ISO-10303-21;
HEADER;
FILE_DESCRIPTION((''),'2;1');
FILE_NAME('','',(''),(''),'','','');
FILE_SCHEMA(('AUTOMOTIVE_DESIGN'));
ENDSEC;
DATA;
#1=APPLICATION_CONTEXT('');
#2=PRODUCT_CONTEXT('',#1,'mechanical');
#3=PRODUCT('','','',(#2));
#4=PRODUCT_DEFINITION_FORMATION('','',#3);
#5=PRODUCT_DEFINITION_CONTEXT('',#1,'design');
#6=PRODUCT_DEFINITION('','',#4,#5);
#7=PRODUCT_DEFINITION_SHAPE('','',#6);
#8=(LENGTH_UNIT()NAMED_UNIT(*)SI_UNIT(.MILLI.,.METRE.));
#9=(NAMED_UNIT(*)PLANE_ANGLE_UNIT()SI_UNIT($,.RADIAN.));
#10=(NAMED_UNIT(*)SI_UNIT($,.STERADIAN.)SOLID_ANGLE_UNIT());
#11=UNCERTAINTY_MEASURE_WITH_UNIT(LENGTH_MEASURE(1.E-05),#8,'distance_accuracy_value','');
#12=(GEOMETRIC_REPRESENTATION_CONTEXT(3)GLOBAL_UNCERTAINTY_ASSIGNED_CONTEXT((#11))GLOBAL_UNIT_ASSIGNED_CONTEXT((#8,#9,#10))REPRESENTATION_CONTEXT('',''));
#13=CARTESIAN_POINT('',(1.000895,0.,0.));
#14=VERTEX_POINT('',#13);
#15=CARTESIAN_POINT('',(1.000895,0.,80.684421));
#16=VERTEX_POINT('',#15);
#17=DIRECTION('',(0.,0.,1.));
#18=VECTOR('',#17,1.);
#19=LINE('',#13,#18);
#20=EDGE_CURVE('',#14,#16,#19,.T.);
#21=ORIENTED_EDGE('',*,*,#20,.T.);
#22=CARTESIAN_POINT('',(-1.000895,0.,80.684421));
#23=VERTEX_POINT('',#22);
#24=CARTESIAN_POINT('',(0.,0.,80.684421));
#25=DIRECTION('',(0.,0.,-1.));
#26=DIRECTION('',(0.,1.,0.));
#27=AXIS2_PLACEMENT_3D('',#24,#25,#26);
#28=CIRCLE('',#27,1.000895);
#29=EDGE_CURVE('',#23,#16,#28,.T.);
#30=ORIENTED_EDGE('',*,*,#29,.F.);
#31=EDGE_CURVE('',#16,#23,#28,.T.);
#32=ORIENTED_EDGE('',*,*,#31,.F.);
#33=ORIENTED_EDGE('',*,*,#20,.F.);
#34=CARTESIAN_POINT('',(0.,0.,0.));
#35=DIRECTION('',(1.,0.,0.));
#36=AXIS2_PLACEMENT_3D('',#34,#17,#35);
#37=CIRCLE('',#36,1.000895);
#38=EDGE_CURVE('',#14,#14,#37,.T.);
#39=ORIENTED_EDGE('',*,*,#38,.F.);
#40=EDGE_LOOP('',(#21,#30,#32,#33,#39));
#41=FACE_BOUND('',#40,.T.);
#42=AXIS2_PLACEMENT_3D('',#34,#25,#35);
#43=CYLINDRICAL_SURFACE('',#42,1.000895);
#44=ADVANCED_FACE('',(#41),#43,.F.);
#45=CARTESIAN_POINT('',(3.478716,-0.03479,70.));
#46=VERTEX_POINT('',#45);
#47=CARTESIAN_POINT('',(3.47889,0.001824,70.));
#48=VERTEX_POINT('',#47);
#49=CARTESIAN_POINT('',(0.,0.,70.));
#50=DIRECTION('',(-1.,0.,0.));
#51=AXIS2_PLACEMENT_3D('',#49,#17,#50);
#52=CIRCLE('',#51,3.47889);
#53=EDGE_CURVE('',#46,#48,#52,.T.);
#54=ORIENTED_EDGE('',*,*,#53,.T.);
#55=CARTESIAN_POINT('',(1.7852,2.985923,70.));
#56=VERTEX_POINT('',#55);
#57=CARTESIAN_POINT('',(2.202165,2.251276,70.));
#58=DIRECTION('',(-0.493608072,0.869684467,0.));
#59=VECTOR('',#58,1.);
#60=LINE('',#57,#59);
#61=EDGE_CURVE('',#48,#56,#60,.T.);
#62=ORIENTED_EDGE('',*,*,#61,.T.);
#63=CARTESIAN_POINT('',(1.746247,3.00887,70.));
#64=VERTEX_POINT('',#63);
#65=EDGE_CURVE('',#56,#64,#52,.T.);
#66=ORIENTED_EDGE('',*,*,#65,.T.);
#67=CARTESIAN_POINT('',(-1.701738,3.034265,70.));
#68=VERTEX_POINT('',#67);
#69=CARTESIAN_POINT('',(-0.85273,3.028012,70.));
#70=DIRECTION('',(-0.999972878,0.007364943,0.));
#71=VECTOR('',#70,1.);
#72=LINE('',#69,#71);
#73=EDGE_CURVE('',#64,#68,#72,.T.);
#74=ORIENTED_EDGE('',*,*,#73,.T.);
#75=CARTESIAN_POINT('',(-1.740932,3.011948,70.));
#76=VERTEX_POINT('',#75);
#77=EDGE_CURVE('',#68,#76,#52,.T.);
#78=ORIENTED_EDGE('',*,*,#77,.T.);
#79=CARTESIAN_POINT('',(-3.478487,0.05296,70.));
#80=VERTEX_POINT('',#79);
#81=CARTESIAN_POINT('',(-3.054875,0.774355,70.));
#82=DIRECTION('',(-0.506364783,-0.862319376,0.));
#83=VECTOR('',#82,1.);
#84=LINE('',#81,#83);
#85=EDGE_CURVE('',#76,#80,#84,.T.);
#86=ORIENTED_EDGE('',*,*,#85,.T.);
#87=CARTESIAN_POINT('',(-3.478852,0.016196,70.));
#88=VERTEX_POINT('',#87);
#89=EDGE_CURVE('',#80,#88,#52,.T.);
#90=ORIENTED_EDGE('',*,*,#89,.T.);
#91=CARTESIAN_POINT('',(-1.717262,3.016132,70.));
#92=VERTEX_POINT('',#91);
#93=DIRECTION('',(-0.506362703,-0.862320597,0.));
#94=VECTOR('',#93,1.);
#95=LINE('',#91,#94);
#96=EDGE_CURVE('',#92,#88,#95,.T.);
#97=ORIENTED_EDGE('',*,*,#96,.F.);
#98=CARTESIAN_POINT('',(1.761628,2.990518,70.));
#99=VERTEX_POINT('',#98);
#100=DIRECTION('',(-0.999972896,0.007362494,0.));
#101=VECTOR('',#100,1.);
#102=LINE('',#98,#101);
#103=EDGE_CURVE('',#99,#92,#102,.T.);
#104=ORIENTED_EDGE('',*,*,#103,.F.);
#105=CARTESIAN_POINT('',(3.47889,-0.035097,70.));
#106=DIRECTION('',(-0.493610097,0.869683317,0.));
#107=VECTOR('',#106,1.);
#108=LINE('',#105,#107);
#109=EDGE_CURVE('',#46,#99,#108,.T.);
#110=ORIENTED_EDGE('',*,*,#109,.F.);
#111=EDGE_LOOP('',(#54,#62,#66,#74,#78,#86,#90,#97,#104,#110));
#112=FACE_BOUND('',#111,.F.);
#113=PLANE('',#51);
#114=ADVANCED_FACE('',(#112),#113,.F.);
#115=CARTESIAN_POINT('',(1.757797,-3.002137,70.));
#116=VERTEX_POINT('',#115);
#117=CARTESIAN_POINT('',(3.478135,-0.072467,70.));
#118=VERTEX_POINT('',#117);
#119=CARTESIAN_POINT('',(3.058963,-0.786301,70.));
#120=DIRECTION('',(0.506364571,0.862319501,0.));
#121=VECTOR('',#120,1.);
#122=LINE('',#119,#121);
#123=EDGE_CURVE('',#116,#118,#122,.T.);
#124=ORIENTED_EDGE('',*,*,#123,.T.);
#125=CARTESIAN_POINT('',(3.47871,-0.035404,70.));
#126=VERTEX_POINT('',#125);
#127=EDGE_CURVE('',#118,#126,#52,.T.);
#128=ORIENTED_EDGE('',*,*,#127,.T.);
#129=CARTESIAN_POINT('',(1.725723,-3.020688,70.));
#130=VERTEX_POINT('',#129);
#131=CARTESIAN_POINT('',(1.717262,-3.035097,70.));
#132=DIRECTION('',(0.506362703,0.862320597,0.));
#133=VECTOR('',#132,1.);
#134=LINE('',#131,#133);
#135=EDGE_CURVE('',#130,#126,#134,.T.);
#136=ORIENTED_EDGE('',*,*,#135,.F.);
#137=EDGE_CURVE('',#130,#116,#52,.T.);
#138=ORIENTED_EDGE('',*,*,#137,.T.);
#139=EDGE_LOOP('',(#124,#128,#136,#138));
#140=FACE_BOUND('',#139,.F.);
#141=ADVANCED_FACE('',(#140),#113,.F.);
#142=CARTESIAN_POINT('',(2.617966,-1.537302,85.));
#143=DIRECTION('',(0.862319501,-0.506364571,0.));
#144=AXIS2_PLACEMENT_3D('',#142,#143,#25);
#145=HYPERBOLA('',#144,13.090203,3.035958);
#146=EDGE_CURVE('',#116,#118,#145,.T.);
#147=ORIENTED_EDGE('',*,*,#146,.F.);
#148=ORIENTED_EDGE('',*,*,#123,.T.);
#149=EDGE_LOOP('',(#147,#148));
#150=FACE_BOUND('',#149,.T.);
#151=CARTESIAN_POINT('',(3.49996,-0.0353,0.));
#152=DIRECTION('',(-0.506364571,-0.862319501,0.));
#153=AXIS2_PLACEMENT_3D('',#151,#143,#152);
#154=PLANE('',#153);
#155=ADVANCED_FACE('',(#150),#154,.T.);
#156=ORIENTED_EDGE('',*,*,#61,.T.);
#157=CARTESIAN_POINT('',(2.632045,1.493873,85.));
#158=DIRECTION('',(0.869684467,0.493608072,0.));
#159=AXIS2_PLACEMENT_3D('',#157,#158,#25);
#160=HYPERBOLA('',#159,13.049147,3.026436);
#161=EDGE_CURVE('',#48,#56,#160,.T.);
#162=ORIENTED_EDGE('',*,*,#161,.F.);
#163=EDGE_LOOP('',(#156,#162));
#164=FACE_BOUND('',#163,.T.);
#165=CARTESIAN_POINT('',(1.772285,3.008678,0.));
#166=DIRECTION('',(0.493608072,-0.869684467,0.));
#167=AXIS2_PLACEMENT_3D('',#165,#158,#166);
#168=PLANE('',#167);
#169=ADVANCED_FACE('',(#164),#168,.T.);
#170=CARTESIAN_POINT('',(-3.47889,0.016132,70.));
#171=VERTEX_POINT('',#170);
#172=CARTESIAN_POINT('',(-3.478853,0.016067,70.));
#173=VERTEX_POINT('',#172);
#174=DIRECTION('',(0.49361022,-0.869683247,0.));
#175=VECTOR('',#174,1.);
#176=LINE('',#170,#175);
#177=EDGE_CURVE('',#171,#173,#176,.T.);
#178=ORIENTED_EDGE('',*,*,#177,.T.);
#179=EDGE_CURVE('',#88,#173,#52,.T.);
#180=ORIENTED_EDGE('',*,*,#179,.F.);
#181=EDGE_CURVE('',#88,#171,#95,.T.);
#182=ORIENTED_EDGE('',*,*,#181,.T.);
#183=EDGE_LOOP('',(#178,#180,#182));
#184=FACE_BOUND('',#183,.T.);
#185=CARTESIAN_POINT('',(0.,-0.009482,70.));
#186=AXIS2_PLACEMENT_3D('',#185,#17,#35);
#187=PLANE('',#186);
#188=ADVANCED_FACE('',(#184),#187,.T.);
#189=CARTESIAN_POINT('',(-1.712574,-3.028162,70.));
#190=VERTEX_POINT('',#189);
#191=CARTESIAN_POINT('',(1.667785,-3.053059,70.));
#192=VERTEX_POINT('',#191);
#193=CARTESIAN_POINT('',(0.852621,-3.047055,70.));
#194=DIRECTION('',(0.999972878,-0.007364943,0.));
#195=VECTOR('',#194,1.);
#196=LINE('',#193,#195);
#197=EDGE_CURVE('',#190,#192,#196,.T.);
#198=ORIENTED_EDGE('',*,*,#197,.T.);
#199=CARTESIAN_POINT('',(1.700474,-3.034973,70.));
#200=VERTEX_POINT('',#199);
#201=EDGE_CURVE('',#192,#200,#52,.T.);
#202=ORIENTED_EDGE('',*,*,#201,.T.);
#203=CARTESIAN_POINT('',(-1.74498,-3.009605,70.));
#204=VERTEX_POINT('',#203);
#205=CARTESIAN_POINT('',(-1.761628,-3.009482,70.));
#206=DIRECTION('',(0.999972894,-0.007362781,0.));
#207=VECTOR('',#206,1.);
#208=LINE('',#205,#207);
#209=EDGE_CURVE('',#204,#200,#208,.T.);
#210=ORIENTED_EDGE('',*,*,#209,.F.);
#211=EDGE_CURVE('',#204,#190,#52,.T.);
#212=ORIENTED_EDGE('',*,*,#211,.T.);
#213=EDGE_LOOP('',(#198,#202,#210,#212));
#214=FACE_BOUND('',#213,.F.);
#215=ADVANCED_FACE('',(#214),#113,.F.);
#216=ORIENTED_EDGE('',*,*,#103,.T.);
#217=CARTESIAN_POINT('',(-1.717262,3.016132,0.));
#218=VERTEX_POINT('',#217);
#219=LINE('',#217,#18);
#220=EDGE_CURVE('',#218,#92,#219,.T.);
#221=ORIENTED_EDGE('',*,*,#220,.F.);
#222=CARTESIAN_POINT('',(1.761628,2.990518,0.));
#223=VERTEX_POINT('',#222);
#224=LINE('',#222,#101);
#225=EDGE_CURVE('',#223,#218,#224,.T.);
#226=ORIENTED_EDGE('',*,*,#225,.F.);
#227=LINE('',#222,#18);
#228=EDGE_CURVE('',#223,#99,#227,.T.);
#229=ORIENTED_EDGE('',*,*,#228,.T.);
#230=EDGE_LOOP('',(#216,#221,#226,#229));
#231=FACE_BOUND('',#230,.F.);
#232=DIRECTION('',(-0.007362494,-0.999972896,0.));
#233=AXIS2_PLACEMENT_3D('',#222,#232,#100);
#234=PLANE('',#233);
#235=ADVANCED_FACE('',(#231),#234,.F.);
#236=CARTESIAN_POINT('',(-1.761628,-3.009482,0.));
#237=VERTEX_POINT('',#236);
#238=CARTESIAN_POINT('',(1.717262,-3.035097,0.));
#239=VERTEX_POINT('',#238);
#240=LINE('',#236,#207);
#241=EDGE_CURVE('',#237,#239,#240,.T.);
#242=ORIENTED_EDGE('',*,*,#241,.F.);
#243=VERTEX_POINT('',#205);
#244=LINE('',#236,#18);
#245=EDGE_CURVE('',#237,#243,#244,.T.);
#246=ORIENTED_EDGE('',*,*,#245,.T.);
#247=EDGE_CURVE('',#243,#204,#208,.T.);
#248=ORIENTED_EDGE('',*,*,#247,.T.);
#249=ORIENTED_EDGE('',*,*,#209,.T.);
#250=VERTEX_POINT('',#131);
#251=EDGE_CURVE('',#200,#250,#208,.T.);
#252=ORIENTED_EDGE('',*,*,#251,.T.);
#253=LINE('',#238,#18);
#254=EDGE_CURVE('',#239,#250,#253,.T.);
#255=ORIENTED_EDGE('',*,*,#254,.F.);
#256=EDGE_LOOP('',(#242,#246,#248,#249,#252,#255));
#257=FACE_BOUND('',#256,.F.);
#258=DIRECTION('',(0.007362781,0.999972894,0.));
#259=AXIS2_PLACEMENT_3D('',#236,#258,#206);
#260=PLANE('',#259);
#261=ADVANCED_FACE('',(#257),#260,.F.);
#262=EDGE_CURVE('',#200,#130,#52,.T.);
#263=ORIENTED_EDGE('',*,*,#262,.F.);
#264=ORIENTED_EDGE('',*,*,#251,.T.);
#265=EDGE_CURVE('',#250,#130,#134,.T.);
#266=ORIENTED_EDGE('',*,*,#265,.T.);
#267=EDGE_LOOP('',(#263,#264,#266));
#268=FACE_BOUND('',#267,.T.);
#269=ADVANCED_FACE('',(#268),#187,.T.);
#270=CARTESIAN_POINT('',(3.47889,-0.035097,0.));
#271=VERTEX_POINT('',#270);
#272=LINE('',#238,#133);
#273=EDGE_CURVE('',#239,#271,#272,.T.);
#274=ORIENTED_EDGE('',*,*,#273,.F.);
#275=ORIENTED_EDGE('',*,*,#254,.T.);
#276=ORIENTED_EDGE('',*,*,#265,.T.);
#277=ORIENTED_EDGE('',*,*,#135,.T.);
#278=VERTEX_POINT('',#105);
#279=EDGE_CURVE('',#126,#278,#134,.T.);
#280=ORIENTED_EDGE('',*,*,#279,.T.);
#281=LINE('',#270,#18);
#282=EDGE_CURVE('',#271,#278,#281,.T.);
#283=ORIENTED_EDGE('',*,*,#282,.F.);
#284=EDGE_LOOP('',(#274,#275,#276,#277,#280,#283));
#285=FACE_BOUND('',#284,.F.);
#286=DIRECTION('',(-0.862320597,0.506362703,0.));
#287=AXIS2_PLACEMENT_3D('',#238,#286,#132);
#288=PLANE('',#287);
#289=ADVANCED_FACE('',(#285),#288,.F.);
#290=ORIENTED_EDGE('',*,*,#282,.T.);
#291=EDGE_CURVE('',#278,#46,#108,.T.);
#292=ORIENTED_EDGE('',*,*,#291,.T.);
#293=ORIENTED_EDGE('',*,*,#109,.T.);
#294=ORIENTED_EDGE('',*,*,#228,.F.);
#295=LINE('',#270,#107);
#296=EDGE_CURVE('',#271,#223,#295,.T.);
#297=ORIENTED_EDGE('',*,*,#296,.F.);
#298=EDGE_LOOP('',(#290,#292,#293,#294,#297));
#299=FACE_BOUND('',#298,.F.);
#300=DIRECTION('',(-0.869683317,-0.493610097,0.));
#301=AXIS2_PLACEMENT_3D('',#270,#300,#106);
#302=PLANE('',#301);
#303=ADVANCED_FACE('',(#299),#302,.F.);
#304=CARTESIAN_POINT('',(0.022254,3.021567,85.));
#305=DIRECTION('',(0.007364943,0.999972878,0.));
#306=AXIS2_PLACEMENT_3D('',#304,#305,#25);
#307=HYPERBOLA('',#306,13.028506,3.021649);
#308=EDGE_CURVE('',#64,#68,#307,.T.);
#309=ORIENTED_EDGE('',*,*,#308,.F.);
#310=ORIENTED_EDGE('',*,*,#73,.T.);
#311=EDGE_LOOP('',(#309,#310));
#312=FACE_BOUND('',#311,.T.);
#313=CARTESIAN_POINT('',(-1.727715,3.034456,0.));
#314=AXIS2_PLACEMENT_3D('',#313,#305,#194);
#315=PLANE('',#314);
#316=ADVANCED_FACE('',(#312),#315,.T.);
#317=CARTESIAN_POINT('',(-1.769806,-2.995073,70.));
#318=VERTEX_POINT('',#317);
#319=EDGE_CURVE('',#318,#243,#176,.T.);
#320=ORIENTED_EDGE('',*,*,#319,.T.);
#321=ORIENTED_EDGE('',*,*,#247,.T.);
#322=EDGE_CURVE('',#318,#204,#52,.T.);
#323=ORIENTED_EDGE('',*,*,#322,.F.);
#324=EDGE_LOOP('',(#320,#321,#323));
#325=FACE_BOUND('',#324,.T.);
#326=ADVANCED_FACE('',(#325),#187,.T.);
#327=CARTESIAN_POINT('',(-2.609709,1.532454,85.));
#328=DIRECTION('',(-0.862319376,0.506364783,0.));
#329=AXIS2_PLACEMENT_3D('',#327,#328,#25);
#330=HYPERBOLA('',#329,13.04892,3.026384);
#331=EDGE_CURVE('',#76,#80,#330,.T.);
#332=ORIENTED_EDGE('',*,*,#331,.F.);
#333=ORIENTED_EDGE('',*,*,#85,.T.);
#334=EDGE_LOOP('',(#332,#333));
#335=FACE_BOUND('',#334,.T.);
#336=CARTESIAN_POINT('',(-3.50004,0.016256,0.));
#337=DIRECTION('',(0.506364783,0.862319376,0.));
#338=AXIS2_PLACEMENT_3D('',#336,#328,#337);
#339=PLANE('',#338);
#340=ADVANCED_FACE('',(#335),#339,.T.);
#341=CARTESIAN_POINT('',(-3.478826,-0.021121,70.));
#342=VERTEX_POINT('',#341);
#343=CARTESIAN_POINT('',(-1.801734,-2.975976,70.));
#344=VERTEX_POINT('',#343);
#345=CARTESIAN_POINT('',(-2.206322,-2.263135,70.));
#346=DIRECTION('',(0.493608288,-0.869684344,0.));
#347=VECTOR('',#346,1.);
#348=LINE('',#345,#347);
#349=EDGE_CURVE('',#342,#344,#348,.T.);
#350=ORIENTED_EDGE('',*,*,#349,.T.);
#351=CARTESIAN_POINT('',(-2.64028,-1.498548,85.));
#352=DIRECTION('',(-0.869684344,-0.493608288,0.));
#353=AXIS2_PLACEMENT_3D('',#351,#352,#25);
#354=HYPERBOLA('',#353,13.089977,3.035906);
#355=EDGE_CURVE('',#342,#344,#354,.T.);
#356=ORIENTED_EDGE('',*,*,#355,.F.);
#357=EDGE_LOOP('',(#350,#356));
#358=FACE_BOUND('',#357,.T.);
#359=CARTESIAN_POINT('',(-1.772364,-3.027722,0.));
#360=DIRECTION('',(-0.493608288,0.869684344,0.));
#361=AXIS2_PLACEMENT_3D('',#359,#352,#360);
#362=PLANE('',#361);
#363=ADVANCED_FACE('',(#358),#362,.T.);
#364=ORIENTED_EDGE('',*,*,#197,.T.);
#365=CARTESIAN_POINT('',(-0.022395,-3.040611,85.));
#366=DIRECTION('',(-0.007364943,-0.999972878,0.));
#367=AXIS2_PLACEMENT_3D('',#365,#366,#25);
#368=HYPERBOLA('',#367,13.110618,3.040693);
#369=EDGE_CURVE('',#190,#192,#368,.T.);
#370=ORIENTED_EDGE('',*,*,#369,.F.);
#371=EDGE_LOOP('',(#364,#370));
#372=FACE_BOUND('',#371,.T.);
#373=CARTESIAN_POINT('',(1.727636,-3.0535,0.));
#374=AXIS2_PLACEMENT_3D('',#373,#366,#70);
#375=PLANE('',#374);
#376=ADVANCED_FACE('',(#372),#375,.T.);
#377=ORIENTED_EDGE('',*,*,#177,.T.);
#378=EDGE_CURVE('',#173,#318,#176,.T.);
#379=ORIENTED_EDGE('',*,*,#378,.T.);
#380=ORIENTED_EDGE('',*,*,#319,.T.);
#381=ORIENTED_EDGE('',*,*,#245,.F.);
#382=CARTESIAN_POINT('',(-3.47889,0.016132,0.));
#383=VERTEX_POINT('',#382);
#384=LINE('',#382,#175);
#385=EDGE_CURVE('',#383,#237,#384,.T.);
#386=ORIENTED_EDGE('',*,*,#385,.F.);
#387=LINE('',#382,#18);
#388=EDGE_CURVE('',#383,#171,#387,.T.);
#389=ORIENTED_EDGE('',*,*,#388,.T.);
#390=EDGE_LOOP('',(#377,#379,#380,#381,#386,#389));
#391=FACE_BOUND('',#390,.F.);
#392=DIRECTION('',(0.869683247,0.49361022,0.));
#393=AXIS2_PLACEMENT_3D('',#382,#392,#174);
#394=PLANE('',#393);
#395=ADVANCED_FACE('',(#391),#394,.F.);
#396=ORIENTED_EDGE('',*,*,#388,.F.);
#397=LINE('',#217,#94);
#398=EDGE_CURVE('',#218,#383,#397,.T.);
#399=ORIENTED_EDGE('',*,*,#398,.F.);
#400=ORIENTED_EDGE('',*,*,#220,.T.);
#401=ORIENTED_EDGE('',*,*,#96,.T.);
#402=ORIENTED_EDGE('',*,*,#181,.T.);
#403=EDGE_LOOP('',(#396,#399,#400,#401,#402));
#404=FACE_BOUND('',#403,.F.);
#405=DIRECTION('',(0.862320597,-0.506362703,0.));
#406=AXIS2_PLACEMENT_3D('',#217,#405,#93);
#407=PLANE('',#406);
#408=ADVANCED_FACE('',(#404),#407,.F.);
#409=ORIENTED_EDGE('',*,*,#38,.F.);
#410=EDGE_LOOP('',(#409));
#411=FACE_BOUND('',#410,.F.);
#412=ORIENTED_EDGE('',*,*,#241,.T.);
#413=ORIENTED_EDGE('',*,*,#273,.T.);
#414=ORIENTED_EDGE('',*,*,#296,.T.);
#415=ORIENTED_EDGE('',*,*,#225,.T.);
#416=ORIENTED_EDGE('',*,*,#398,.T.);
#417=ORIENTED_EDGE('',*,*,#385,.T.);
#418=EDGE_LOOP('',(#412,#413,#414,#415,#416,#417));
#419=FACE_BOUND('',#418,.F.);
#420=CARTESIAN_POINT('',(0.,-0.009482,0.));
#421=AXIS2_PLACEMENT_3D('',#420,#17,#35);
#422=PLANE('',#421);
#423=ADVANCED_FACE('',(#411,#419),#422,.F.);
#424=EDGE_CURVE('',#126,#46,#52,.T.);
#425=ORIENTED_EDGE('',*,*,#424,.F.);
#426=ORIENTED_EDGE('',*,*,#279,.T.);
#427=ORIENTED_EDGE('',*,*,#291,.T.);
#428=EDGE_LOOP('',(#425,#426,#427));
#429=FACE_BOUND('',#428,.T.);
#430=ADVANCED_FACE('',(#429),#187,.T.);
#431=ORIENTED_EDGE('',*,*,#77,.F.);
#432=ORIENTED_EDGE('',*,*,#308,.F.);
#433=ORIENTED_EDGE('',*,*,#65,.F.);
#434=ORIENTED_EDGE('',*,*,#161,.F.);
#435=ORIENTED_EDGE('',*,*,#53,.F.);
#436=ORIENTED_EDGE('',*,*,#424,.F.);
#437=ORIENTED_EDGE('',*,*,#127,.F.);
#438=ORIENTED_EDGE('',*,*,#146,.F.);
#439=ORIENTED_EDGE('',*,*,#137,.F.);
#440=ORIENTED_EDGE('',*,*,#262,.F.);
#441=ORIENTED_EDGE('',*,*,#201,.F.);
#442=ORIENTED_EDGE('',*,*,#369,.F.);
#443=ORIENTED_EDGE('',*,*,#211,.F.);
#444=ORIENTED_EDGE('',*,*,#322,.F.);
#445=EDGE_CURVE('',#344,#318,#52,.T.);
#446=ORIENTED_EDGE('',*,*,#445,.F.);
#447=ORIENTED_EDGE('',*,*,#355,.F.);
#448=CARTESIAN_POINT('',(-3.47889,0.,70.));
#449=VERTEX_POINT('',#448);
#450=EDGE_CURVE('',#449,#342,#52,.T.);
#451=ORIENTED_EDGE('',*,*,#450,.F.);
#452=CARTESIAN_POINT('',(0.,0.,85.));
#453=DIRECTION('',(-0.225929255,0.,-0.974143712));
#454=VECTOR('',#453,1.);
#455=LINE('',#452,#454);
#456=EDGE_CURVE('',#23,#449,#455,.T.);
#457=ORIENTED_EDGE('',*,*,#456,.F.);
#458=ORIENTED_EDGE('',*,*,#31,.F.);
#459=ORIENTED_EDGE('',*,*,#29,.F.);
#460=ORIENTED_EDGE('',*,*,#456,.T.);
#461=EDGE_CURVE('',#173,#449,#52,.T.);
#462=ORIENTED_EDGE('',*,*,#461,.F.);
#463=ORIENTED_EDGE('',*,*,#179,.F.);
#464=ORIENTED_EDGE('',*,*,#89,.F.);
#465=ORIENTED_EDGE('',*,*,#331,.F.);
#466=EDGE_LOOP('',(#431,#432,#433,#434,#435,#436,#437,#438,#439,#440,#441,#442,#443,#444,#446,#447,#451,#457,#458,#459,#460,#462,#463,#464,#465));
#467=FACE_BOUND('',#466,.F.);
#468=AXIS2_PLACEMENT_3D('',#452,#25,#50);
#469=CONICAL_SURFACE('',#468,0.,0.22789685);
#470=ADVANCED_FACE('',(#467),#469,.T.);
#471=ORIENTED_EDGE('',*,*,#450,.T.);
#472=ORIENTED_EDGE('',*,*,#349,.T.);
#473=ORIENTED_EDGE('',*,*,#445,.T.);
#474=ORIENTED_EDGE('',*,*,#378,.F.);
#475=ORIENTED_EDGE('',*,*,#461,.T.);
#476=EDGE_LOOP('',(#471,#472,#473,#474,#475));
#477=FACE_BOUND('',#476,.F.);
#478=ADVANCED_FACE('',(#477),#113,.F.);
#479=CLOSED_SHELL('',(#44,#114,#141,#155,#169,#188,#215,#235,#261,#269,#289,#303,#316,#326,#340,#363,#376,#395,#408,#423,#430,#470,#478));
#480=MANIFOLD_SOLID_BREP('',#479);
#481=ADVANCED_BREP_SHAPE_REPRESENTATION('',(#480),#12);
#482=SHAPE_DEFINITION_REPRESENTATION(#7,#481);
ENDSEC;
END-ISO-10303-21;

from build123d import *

# Parameters (mm, degrees)
F1_DEPTH = 70
F3_R     = 9.108661
F5_DEPTH = 85.001
F6_R     = 1.000895
F7_DEPTH = 85.001


with BuildPart() as f1:
    # F0 (on Top) → F1 (new body)
    with BuildSketch(Plane.XY):
        Polygon((-1.717262, 3.016132), (-3.47889, 0.016132), (-1.761628, -3.009482), (1.717262, -3.035097), (3.47889, -0.035097), (1.761628, 2.990518), align=None)
    extrude(amount=F1_DEPTH)

    # F2 (on Front) → F4 (revolve)
    with BuildSketch(Plane.XZ):
        Polygon((-3.47889, 70), (0, 70), (0, 85), align=None)
    revolve(axis=Axis((0, 0, 77.5), (0, 0, 1)))

    # F3 (on Top) → F5 (cut, through all)
    with BuildSketch(Plane.XY):
        with Locations((-4e-05, -0.009522)):
            Circle(F3_R)
        Polygon((-1.772364, -3.027722), (-3.50004, 0.016256), (-1.727715, 3.034456), (1.772285, 3.008678), (3.49996, -0.0353), (1.727636, -3.0535), align=None, mode=Mode.SUBTRACT)
    extrude(amount=F5_DEPTH, mode=Mode.SUBTRACT)

    # F6 (on Top) → F7 (cut, through all)
    with BuildSketch(Plane.XY):
        Circle(F6_R)
    extrude(amount=F7_DEPTH, mode=Mode.SUBTRACT)


solid = f1.part
